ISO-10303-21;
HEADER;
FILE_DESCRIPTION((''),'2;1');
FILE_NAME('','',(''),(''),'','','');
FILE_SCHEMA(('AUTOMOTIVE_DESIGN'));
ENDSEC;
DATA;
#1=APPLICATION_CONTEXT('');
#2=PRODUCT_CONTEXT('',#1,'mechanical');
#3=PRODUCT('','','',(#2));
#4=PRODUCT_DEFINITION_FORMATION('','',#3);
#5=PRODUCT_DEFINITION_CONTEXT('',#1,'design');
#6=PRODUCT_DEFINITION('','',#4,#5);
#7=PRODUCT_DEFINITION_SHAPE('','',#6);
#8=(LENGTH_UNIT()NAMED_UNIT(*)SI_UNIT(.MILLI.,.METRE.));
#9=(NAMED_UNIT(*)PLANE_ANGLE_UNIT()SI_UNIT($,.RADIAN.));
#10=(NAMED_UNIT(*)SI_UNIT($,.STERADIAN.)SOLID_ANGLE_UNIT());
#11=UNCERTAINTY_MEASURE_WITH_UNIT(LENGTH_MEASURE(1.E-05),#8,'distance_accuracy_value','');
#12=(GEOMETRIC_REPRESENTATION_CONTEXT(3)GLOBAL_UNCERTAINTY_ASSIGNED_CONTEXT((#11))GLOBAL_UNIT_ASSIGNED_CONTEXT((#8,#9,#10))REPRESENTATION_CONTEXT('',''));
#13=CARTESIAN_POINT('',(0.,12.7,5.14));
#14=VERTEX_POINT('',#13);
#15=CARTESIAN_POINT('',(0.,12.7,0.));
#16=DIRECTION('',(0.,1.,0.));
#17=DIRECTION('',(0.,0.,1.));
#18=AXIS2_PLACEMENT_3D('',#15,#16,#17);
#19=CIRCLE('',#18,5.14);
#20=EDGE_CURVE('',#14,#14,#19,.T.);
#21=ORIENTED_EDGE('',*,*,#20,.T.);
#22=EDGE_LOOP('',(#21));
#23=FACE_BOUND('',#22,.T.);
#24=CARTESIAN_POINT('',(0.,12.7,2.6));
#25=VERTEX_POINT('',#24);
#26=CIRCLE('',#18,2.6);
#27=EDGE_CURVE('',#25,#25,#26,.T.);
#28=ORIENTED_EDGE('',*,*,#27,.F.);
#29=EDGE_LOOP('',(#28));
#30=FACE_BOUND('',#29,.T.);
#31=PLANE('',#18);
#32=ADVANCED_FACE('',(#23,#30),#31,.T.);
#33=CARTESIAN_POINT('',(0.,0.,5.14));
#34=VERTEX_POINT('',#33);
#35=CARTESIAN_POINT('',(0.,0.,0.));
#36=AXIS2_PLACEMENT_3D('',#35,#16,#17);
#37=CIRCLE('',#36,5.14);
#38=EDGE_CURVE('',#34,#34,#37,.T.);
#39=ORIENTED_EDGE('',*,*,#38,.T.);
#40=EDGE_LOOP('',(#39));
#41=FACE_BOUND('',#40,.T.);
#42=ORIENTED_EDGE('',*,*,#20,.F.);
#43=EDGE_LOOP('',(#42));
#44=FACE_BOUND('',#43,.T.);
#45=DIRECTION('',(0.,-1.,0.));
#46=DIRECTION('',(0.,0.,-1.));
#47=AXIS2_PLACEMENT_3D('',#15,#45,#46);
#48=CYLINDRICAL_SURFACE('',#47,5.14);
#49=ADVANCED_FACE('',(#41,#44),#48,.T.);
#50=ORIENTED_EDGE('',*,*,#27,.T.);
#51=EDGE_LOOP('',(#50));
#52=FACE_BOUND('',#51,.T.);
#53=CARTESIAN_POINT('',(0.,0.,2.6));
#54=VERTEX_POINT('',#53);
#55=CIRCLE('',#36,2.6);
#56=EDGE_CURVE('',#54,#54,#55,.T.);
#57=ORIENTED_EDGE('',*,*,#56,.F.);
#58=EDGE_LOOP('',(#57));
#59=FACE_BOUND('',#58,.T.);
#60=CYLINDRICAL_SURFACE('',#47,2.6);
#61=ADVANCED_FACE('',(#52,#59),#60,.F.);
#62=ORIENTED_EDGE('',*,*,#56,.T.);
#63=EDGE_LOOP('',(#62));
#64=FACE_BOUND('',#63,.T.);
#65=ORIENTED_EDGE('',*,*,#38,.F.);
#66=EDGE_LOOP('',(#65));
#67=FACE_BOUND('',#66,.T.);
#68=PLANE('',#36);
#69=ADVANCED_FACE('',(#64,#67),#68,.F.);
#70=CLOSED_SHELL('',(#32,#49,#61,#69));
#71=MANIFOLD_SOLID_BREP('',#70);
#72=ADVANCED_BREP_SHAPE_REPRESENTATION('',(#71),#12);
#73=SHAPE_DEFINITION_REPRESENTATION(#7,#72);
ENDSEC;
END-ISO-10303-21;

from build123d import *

# Parameters (mm, degrees)
F_5MM_R             = 5.14
F_5MM_R_2           = 2.6
BOSS_EXTRUDE1_DEPTH = 12.7


with BuildPart() as part:
    # 5mm → Boss-Extrude1 (new body)
    with BuildSketch(Plane(origin=(0, 0, 0), x_dir=(1, 0, 0), z_dir=(0, 1, 0))):
        with Locations(Location((0, 0, 0), (0, 0, 270))):
            Circle(F_5MM_R)
        with Locations(Location((0, 0, 0), (0, 0, 270))):
            Circle(F_5MM_R_2, mode=Mode.SUBTRACT)
    extrude(amount=BOSS_EXTRUDE1_DEPTH)


solid = part.part
